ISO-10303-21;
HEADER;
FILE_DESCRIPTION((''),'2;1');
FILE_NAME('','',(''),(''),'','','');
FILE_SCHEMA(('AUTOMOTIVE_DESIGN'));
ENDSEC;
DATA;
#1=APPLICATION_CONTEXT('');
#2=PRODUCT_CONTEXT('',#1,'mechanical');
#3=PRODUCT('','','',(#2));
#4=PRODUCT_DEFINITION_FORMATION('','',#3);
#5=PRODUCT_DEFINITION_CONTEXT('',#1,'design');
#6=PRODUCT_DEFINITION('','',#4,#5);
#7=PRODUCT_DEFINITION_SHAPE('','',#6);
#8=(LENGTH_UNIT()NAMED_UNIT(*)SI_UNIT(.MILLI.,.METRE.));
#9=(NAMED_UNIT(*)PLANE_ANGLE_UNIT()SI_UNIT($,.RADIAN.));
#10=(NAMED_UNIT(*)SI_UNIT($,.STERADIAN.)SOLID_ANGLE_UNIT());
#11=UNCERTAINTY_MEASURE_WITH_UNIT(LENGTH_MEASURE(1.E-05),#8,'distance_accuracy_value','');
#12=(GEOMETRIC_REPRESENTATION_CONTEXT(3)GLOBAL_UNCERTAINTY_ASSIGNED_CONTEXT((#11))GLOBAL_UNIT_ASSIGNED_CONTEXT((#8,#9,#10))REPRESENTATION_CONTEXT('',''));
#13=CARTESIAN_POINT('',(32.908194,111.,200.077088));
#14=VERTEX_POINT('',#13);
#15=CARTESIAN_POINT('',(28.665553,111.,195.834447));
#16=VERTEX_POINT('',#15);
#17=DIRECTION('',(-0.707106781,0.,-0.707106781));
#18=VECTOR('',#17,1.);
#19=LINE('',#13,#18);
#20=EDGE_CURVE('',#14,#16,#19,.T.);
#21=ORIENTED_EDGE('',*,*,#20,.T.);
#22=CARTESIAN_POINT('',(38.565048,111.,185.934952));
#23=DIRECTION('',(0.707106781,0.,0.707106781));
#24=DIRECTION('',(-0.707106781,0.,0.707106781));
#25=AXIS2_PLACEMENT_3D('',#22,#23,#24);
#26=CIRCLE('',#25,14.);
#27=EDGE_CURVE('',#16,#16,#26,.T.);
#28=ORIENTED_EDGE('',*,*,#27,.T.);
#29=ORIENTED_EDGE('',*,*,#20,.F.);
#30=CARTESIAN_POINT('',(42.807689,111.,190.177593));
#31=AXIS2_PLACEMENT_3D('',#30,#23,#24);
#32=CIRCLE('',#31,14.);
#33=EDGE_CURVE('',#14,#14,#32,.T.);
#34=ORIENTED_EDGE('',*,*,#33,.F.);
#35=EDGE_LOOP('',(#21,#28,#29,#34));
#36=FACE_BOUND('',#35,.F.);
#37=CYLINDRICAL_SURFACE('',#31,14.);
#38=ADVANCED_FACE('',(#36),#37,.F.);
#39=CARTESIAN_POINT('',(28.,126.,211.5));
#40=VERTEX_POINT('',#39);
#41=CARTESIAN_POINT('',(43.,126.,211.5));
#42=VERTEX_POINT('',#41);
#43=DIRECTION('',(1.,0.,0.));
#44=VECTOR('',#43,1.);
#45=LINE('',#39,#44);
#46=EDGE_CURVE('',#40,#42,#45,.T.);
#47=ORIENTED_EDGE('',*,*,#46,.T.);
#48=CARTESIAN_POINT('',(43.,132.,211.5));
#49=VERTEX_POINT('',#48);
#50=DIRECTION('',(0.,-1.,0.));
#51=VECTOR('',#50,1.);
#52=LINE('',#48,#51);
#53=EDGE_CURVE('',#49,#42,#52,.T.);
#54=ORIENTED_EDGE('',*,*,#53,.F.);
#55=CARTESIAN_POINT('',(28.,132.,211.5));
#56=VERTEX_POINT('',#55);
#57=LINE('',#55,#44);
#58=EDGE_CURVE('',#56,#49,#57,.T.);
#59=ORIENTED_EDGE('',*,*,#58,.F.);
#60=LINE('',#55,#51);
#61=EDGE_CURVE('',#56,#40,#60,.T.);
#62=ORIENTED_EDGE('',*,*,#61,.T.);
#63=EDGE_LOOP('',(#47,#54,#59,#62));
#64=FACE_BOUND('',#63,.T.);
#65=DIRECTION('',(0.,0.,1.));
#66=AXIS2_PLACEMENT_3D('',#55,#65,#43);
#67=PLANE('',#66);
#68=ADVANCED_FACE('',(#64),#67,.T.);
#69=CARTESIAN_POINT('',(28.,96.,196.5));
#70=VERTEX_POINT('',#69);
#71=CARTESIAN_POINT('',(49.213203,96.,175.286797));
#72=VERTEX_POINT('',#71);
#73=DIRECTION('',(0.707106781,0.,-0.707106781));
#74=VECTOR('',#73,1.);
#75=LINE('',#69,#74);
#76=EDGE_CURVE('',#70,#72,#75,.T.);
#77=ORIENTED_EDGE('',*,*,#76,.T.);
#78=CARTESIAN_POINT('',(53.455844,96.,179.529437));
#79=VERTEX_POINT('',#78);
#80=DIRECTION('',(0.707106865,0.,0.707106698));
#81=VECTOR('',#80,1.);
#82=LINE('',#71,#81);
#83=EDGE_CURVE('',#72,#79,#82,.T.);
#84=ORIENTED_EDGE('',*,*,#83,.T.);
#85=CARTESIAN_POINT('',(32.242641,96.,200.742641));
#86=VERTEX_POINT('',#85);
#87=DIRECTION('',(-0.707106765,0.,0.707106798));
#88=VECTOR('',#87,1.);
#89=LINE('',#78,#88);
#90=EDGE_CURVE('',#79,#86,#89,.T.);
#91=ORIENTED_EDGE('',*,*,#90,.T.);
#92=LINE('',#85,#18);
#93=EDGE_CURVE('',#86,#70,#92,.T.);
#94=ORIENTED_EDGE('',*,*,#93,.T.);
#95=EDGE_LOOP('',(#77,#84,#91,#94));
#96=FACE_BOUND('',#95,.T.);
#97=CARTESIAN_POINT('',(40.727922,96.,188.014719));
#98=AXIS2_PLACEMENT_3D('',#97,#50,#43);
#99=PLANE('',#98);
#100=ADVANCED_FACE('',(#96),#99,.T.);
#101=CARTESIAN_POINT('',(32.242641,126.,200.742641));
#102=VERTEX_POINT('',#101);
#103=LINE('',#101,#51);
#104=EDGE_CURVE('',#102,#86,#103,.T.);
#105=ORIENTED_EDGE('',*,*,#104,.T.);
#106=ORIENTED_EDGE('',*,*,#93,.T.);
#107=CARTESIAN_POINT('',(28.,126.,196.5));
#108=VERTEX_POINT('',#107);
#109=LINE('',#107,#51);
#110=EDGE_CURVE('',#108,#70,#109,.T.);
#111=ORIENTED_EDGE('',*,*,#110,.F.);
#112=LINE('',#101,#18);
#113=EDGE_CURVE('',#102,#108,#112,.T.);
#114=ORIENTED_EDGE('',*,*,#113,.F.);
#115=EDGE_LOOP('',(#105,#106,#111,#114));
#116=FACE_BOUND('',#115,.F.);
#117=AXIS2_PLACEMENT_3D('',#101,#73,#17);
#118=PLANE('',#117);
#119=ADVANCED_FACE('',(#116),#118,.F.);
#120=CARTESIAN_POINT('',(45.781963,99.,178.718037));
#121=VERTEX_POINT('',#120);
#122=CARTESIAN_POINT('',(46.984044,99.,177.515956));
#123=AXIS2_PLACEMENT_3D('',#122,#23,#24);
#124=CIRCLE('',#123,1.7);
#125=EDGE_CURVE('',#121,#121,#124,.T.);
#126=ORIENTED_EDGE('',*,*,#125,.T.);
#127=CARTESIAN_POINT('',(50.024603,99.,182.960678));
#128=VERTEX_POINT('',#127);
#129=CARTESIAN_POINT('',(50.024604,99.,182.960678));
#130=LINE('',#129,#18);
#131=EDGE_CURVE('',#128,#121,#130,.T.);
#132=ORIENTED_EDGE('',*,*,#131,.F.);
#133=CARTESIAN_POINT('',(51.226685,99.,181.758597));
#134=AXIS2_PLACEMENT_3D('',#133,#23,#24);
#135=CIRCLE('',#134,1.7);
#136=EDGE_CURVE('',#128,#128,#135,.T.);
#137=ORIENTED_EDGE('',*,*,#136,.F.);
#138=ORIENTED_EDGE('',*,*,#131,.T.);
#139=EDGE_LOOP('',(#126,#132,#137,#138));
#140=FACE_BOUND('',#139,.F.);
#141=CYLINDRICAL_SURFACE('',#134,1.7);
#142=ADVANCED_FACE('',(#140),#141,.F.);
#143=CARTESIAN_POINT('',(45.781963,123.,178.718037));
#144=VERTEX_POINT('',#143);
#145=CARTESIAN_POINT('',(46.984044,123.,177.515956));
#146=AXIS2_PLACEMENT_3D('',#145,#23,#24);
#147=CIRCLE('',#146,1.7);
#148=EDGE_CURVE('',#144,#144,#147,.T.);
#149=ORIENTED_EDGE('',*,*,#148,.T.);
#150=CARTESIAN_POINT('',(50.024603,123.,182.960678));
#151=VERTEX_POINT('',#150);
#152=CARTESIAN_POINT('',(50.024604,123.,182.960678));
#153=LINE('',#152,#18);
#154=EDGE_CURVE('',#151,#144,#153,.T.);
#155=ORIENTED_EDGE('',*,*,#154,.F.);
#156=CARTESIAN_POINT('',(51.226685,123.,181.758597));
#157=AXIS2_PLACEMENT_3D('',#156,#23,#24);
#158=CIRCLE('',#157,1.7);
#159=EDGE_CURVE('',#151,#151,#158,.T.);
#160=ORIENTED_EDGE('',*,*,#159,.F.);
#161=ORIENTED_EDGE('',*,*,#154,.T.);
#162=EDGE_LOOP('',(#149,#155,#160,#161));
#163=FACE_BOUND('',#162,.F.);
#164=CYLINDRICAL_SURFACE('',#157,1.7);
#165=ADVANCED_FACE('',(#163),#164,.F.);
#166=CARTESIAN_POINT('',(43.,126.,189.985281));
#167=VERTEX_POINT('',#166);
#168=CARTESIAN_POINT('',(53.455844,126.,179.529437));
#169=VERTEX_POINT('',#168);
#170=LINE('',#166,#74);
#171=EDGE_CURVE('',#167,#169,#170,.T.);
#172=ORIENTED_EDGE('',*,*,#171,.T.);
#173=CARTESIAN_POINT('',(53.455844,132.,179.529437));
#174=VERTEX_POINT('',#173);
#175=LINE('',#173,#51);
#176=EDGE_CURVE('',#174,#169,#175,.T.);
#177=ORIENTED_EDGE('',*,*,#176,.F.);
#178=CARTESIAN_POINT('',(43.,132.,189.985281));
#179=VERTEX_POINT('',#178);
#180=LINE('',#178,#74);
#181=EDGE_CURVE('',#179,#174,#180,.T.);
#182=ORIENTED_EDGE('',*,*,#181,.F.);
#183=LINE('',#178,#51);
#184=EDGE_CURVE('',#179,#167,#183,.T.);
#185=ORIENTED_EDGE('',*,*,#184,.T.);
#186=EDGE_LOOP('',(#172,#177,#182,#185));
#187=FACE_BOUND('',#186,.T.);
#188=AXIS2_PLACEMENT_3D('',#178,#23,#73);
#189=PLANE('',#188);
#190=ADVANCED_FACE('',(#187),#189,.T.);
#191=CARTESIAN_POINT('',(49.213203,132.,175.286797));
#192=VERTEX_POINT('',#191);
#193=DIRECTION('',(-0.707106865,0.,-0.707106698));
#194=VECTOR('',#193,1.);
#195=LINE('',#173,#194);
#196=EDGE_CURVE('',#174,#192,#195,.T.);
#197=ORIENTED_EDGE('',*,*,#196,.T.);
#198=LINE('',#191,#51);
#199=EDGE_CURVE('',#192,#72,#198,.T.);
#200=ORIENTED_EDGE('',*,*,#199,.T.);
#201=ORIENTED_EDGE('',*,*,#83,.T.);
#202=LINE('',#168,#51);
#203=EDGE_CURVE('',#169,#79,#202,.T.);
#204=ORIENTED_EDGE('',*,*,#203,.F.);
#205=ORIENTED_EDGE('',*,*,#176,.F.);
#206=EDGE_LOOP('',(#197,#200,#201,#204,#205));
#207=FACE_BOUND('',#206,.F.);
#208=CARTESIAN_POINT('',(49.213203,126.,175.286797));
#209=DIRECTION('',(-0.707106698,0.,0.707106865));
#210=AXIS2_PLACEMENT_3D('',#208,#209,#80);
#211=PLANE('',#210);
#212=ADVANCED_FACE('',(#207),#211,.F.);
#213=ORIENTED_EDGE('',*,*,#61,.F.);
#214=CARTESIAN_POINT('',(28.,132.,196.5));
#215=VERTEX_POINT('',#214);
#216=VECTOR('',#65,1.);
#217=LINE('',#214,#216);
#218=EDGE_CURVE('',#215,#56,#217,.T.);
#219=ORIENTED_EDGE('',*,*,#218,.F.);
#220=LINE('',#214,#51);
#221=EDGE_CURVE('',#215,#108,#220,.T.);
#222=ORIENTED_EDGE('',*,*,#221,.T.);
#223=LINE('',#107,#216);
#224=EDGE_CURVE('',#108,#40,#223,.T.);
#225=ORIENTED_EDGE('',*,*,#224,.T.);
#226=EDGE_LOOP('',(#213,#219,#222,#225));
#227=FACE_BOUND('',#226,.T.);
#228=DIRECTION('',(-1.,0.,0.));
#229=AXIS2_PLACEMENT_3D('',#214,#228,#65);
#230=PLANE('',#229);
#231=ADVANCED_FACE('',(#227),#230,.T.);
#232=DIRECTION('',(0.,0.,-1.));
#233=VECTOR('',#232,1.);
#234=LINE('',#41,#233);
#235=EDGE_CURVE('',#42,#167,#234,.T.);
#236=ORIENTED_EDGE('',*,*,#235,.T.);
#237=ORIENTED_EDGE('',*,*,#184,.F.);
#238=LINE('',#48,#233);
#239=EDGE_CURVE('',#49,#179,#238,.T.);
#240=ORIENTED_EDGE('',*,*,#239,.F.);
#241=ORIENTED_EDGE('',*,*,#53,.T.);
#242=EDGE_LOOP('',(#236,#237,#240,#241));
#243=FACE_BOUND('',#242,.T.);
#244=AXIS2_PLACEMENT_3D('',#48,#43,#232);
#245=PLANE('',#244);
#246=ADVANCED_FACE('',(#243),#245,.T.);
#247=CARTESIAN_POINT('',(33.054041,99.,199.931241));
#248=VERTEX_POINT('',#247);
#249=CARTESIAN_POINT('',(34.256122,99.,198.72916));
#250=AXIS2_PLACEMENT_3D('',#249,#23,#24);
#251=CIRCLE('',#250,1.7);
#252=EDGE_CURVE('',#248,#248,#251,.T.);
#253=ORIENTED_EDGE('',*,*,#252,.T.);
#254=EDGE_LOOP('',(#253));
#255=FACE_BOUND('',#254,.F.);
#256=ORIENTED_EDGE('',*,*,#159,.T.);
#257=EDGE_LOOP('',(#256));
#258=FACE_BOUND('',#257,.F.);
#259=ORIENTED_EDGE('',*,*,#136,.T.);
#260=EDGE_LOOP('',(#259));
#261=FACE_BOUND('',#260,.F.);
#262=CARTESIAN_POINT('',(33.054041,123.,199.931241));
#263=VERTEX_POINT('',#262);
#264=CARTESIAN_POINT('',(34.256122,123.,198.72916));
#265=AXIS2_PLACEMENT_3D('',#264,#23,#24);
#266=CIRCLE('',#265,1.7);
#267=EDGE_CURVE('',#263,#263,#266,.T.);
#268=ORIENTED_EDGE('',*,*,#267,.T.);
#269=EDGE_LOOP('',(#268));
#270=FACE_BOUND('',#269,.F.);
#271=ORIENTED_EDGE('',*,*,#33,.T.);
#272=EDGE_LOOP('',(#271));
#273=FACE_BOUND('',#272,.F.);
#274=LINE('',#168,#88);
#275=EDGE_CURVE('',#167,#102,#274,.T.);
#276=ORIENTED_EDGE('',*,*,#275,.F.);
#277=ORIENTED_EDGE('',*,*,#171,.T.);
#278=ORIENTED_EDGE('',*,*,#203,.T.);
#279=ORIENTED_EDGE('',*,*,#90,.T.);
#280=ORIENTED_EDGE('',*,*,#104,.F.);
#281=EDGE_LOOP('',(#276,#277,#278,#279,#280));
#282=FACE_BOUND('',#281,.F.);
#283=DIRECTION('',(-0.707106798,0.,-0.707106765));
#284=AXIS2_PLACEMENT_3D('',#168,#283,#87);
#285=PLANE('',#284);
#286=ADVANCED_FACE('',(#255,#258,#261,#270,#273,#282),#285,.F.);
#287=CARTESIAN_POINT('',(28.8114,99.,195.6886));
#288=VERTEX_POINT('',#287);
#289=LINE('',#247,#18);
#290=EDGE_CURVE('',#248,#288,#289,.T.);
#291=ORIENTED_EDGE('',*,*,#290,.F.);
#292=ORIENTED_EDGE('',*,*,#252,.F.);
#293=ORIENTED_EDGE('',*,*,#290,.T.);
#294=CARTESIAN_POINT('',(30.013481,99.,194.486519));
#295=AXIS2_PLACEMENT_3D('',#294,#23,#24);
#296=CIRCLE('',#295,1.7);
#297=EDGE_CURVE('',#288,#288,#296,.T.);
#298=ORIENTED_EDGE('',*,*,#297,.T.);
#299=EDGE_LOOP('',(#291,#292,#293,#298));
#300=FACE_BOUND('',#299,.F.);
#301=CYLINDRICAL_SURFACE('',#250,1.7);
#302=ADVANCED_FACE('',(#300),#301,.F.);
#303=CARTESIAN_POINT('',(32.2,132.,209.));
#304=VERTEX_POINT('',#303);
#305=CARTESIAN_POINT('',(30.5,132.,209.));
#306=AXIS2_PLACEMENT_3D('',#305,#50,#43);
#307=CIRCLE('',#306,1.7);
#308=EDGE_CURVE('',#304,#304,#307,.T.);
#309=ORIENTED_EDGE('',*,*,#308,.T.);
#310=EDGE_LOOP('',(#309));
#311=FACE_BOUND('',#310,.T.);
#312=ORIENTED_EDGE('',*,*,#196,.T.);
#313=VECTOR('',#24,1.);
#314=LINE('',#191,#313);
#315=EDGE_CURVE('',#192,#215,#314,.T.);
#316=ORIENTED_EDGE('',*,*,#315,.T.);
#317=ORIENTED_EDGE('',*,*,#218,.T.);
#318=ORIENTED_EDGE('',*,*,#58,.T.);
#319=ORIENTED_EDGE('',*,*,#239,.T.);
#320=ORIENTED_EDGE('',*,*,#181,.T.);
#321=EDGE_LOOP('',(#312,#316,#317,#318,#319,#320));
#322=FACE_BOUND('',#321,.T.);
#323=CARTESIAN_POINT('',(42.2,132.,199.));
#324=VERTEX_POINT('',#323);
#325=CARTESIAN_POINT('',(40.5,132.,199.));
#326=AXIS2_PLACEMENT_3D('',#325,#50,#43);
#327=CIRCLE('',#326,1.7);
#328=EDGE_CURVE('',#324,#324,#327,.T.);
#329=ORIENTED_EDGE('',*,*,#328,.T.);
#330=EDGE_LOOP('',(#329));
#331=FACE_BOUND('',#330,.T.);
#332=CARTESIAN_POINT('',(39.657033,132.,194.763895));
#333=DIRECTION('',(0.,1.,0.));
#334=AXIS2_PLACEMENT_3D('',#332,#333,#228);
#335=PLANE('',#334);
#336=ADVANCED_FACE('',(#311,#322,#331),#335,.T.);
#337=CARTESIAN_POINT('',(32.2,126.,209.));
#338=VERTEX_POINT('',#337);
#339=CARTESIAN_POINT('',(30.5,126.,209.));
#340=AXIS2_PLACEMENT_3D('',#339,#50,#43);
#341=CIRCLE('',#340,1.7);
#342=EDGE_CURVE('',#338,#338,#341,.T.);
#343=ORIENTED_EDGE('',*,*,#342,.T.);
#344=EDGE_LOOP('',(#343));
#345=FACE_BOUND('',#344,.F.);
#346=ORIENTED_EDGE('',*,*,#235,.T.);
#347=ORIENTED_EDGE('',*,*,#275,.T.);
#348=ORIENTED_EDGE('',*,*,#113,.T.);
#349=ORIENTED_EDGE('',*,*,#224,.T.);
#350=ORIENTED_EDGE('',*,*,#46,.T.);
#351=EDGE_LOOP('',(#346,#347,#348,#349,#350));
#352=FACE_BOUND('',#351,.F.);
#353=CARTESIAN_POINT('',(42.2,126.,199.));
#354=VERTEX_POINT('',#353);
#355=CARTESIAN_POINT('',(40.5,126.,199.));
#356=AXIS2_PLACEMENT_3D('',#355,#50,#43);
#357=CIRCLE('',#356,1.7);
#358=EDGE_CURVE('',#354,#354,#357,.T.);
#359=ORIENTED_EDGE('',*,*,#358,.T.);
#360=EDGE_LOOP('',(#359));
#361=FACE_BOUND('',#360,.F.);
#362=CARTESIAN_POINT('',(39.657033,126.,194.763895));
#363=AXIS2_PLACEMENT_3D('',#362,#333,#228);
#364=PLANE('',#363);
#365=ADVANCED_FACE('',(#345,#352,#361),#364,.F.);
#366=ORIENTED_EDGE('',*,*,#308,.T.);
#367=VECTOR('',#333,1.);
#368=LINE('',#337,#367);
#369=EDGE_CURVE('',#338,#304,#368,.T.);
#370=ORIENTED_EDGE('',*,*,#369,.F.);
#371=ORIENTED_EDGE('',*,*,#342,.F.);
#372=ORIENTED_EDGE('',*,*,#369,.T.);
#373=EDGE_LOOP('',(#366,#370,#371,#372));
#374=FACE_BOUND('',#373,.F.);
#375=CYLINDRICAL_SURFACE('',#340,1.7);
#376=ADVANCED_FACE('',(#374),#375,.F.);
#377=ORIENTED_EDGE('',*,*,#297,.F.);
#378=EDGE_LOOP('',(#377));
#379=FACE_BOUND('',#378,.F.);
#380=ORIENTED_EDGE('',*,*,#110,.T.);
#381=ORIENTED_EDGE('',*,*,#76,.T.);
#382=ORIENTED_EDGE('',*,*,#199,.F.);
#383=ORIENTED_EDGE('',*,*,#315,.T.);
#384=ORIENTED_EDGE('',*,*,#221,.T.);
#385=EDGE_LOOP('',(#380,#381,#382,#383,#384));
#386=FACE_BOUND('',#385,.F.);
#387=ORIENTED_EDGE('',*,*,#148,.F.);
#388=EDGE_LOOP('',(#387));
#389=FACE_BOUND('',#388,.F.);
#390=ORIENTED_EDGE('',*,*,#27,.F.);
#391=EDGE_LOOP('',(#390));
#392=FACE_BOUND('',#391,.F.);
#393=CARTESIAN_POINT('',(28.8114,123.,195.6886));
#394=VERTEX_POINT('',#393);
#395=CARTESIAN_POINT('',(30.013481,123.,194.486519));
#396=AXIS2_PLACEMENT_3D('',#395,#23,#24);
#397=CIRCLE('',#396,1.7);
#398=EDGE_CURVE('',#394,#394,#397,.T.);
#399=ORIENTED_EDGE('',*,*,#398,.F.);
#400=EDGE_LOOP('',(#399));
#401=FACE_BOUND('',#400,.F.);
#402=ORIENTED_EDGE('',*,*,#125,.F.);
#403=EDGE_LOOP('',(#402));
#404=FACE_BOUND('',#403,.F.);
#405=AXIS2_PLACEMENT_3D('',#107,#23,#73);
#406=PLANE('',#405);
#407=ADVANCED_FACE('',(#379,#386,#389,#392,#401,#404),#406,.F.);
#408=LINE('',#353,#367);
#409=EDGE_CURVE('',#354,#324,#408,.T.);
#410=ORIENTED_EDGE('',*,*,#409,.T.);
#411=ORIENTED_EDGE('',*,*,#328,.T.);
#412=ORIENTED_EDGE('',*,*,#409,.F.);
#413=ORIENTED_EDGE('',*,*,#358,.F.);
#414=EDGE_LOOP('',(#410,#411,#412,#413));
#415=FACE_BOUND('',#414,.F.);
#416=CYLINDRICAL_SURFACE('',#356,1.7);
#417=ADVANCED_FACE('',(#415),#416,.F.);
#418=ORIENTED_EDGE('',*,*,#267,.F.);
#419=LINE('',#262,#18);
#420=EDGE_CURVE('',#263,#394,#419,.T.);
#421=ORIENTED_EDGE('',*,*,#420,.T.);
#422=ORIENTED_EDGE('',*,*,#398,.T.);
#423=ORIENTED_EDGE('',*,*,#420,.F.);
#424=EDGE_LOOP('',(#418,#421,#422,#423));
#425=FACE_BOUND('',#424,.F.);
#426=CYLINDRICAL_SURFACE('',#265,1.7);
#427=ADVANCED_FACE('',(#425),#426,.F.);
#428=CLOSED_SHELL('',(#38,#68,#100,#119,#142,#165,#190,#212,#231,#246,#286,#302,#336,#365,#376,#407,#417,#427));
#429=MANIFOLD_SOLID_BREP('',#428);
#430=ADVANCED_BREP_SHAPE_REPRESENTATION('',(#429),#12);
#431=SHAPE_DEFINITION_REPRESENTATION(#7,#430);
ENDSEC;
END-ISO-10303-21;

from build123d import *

# Parameters (mm, degrees)
PAD040_DEPTH    = 6
PAD041_DEPTH    = 30
SKETCH118_R     = 14
POCKET038_DEPTH = 21.001
SKETCH119_R     = 1.7
HOLE023_DEPTH   = 25
SKETCH120_R     = 1.7
HOLE024_DEPTH   = 25


with BuildPart() as part:
    # Sketch116 → Pad040 (new body)
    with BuildSketch(Plane.XZ):
        Polygon((28, 211.5), (43, 211.5), (43, 189.985281), (53.455844, 179.529437), (49.213203, 175.286797), (28, 196.5), align=None)
    extrude(amount=PAD040_DEPTH)

    # Sketch117 (on Face8 of Pad040) → Pad041 (join)
    with BuildSketch(Plane.XZ.offset(6)):
        Polygon((28, 196.5), (49.213203, 175.286797), (53.455844, 179.529437), (32.242641, 200.742641), align=None)
    extrude(amount=PAD041_DEPTH)

    # Sketch118 (on Face10 of Pad041) → Pocket038 (cut, through all)
    with BuildSketch(Plane(origin=(116.492641, 0, 116.492641), x_dir=(-0.707107, 0, 0.707107), z_dir=(0.707107, 0, 0.707107))):
        with Locations((104.206258, 21)):
            Circle(SKETCH118_R)
    extrude(amount=-POCKET038_DEPTH, mode=Mode.SUBTRACT)

    # Sketch119 (on Face10 of Pocket038) → Hole023 (cut)
    with BuildSketch(Plane(origin=(116.492641, 0, 116.492641), x_dir=(-0.707107, 0, 0.707107), z_dir=(0.707107, 0, 0.707107))):
        with Locations((92.3, 33)):
            Circle(SKETCH119_R)
        with Locations((116.3, 33)):
            Circle(SKETCH119_R)
        with Locations((92.3, 9)):
            Circle(SKETCH119_R)
        with Locations((116.3, 9)):
            Circle(SKETCH119_R)
    extrude(amount=-HOLE023_DEPTH, mode=Mode.SUBTRACT)

    # Sketch120 (on Face5 of Hole023) → Hole024 (cut)
    with BuildSketch(Plane.XZ.offset(6)):
        with Locations((30.5, 209)):
            Circle(SKETCH120_R)
        with Locations((40.5, 199)):
            Circle(SKETCH120_R)
    extrude(amount=-HOLE024_DEPTH, mode=Mode.SUBTRACT)


with BuildPart() as part_1:
    # Body017 placement: moved
    add(part.part.moved(Location((0, 132, 0))))


solid = part_1.part
